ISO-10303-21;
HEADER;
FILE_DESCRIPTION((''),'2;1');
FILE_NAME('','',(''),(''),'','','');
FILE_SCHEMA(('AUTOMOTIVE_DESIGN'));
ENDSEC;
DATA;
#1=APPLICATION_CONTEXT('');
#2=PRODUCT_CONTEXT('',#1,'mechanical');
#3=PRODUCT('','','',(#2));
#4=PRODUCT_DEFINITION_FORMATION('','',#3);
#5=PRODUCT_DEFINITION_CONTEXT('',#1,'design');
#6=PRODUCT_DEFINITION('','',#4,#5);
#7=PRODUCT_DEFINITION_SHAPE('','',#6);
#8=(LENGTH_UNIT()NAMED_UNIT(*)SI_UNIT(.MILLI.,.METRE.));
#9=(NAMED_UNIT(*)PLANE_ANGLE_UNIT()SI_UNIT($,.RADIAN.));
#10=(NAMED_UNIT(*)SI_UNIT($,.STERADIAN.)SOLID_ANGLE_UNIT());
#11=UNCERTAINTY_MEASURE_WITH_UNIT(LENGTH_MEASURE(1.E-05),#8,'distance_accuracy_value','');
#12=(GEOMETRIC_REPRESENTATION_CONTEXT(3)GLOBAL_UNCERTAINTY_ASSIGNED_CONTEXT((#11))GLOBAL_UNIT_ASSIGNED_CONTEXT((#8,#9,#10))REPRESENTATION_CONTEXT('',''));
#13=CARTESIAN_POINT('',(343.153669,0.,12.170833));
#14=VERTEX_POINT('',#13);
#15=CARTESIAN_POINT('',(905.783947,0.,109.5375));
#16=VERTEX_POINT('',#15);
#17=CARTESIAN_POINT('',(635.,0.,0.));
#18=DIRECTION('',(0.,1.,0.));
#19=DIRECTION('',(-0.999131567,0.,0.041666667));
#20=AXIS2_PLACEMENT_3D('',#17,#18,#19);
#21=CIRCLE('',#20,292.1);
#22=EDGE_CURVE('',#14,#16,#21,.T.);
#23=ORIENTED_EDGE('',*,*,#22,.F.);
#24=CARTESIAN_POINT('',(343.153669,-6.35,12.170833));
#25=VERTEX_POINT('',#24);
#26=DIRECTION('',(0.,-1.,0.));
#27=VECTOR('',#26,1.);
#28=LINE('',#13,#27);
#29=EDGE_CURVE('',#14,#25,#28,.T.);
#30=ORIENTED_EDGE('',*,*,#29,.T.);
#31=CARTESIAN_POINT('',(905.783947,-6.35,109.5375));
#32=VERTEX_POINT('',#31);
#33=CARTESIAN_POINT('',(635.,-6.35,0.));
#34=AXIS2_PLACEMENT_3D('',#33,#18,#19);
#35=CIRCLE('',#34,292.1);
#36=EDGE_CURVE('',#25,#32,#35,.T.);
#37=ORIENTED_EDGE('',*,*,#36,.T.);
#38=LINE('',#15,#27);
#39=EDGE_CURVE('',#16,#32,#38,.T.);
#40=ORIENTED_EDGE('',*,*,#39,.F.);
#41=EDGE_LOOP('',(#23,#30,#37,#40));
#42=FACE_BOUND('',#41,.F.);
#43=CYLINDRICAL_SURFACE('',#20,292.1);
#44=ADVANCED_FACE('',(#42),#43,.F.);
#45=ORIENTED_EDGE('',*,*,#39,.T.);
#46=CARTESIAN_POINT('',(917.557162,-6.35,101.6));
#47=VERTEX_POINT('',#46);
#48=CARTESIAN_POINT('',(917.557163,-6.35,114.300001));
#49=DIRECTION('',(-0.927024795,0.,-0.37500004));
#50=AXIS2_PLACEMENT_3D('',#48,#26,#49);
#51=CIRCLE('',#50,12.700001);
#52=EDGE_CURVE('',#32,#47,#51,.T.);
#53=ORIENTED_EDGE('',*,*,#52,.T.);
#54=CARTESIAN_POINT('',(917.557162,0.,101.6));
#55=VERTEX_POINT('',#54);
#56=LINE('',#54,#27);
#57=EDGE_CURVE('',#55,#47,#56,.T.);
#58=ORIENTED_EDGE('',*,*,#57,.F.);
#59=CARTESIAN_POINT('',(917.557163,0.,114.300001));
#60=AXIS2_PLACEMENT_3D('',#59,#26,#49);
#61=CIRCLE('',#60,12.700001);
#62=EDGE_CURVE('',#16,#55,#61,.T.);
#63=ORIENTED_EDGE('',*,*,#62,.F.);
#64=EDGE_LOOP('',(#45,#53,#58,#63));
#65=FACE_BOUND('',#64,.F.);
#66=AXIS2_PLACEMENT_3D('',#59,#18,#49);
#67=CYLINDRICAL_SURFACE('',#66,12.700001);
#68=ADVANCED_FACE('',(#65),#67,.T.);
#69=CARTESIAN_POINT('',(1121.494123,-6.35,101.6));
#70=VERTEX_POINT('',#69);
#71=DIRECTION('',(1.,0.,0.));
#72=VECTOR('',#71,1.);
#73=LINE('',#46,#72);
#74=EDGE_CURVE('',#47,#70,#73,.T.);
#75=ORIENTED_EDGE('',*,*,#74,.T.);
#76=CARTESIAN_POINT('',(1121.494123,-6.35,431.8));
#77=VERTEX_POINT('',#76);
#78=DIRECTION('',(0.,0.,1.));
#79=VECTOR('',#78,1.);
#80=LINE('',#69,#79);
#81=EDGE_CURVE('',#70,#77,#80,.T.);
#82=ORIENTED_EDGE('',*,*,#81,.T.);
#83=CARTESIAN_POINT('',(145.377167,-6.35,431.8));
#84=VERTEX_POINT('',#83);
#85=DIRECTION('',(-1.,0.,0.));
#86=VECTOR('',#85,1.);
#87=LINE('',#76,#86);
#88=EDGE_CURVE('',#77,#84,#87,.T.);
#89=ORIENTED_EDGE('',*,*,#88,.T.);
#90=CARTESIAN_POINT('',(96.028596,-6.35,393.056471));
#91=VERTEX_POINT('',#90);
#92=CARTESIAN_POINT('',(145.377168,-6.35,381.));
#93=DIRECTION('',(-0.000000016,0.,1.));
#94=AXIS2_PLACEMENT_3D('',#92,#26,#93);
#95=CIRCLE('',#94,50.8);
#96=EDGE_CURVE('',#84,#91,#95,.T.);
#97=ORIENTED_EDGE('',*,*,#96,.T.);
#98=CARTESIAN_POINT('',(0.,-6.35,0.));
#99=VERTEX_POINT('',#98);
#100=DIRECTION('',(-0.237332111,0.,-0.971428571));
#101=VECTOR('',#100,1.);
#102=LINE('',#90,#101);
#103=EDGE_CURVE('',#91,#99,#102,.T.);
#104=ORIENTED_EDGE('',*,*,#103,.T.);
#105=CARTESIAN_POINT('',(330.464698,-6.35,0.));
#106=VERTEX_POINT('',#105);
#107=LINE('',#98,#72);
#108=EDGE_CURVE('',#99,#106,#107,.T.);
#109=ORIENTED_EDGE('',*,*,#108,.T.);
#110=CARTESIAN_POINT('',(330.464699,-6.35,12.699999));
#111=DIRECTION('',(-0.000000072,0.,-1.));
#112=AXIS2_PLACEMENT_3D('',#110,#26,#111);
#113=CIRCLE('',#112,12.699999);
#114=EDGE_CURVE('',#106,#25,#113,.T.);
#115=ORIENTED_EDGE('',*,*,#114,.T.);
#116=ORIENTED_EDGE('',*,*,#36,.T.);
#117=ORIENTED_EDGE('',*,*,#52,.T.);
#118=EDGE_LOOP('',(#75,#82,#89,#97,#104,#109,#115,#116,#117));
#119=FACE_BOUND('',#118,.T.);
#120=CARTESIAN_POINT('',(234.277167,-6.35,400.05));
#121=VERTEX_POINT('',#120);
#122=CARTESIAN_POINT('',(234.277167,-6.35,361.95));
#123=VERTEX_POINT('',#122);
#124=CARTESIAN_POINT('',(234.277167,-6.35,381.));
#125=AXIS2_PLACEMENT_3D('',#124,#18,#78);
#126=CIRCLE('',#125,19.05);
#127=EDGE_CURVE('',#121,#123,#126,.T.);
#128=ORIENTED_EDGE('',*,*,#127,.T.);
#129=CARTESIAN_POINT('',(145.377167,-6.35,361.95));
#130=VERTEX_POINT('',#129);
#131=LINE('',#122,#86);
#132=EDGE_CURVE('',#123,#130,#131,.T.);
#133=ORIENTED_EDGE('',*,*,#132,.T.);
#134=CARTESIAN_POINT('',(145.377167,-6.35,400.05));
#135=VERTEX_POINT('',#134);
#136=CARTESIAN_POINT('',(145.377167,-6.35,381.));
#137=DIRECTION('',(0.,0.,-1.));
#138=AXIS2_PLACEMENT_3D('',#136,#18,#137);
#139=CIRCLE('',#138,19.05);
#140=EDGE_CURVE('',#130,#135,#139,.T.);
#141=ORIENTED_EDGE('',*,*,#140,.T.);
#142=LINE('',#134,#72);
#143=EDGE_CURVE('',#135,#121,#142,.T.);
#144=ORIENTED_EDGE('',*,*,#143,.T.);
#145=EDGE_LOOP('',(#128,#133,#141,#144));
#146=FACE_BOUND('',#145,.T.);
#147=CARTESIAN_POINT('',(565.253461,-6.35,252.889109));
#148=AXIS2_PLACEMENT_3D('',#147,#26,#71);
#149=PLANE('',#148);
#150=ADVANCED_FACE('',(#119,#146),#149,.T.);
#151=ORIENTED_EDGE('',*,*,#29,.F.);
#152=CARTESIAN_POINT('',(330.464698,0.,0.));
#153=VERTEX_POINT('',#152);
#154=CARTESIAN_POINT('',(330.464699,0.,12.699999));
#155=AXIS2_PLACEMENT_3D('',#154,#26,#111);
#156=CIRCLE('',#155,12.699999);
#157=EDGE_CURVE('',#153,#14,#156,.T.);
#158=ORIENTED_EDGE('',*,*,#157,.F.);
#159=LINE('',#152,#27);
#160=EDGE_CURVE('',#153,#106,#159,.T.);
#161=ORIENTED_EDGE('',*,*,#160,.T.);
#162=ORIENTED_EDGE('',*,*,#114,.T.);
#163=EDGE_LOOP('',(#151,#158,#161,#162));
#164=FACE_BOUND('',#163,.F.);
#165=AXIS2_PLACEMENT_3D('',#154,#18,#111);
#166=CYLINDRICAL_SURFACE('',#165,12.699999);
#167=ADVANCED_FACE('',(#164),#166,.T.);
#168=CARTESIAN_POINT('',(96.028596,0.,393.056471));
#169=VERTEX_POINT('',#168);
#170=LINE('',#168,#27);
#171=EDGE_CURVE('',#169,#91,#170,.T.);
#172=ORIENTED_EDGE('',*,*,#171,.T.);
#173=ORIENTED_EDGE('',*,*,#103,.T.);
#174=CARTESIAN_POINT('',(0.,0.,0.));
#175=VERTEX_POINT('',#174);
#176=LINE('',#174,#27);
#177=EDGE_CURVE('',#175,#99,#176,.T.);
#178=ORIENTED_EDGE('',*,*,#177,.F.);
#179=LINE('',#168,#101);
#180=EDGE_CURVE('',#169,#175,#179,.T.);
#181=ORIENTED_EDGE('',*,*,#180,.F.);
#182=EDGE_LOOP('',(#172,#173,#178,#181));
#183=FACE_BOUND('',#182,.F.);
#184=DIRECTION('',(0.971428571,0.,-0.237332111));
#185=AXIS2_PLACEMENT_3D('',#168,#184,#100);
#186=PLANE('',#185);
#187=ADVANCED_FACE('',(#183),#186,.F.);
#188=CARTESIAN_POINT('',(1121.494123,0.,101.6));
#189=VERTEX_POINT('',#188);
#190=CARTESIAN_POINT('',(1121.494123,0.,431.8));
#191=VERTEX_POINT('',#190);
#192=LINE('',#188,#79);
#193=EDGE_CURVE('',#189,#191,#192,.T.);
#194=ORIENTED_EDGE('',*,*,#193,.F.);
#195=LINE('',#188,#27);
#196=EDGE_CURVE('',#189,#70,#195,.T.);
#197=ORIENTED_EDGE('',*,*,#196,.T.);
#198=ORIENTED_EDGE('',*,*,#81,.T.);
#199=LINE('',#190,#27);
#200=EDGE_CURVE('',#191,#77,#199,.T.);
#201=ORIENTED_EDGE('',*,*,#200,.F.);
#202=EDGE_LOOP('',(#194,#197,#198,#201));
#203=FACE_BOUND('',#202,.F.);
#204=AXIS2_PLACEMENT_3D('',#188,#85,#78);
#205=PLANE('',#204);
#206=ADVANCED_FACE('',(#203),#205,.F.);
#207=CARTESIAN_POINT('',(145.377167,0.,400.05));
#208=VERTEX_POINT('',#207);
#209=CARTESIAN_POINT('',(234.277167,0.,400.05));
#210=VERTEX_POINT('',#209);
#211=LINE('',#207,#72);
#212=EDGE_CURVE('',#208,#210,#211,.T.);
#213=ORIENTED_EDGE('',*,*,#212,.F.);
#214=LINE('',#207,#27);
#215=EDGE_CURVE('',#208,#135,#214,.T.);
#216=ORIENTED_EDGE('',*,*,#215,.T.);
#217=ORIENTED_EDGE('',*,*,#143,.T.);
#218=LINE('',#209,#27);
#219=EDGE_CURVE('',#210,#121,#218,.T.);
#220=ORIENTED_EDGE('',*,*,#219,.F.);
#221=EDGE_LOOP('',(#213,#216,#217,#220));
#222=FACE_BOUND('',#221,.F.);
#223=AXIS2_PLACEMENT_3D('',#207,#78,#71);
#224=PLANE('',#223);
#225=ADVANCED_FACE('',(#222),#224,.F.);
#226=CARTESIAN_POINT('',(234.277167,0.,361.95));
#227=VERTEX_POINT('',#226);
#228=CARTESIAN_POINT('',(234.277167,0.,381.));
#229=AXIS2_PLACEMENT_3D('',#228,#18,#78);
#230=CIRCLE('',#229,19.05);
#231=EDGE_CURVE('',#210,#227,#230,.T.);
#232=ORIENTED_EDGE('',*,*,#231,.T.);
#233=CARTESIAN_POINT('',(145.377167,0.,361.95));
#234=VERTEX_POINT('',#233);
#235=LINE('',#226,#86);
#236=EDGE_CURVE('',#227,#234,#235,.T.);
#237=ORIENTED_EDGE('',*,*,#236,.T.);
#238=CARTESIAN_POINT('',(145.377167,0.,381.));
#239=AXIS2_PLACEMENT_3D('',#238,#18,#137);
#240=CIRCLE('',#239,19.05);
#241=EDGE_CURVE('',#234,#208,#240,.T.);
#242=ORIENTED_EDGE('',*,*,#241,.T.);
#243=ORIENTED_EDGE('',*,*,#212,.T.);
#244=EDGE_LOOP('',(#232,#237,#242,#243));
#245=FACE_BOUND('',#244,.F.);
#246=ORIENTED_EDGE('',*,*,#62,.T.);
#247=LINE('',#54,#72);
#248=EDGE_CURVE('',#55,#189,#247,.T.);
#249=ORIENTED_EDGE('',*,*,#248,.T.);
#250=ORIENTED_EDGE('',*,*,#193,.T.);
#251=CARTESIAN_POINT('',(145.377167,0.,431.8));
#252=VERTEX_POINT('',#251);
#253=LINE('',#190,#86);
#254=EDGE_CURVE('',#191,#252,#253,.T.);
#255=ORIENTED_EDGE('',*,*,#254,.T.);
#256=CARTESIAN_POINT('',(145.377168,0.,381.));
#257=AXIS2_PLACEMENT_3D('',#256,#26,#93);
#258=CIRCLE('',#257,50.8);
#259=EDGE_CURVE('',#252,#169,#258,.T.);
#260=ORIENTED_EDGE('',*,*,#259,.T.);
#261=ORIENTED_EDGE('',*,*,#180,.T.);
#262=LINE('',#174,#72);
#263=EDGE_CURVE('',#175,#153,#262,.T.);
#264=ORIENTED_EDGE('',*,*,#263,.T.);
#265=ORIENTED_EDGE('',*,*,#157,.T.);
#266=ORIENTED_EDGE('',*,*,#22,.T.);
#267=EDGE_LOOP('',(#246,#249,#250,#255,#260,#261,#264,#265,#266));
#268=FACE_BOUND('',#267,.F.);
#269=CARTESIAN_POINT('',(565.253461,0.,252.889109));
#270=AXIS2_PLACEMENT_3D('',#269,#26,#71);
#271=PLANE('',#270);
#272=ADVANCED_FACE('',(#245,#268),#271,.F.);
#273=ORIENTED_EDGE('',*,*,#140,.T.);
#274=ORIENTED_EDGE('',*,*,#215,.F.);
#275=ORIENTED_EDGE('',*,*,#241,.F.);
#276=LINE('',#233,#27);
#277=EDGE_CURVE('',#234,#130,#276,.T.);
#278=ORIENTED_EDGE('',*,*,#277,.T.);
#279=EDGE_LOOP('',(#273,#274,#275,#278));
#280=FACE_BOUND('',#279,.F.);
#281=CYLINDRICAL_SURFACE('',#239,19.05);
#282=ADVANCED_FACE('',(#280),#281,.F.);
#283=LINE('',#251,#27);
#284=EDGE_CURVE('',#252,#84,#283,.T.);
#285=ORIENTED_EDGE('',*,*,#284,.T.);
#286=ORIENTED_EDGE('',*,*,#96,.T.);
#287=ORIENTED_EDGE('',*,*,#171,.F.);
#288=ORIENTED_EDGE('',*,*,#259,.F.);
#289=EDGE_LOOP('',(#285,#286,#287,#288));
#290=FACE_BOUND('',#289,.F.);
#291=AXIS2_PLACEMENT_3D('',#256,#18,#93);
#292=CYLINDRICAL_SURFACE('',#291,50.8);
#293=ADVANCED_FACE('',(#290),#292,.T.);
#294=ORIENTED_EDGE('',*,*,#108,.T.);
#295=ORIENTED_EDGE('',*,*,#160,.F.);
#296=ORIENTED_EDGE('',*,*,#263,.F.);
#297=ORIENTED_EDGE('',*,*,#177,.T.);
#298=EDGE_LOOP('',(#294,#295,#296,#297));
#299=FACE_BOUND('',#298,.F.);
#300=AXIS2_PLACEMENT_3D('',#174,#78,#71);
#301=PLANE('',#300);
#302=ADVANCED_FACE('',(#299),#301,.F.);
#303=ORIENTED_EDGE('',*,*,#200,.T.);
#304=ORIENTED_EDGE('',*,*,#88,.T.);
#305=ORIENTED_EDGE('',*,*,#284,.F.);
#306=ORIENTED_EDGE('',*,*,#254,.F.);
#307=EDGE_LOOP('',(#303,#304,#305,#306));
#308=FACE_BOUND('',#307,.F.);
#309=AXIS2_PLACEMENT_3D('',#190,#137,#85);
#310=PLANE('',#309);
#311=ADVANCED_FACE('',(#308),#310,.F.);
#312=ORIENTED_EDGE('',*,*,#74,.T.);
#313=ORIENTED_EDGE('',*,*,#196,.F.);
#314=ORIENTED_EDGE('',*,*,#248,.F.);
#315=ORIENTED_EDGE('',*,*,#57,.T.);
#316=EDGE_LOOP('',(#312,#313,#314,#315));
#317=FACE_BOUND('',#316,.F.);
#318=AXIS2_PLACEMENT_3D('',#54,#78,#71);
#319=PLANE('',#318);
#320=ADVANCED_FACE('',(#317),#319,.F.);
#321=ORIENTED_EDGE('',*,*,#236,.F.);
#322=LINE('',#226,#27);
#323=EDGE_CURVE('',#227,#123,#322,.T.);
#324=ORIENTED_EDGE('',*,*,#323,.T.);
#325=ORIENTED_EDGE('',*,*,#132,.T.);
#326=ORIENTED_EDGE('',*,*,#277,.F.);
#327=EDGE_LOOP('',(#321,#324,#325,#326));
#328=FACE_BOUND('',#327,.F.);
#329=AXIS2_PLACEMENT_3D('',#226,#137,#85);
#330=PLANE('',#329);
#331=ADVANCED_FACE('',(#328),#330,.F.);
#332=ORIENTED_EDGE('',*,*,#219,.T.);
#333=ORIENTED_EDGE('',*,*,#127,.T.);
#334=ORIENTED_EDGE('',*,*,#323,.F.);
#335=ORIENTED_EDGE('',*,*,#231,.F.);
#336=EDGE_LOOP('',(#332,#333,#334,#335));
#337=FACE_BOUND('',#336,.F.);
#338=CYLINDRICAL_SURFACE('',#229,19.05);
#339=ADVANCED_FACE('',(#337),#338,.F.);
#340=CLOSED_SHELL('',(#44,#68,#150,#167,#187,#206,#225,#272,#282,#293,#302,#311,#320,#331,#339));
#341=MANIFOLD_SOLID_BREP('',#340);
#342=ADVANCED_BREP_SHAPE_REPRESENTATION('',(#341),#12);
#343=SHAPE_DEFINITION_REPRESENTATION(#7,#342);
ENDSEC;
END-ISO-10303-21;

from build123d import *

# Parameters (mm, degrees)
F1_DEPTH = 6.35


with BuildPart() as f1:
    # F0 (on Front) → F1 (new body)
    with BuildSketch(Plane.XZ):
        with BuildLine():
            Line((96.028596, 393.056471), (0, 0))
            Line((0, 0), (330.464698, 0))
            ThreePointArc((330.464698, 0), (339.255875, 3.534564), (343.153669, 12.170833))
            ThreePointArc((343.153669, 12.170833), (585.190634, 287.821884), (905.783947, 109.5375))
            ThreePointArc((905.783947, 109.5375), (910.457647, 103.769716), (917.557162, 101.6))
            Line((917.557162, 101.6), (1121.494123, 101.6))
            Line((1121.494123, 101.6), (1121.494123, 431.8))
            Line((1121.494123, 431.8), (145.377167, 431.8))
            ThreePointArc((145.377167, 431.8), (114.007028, 420.956906), (96.028596, 393.056471))
        make_face()
        with BuildLine():
            ThreePointArc((145.377167, 361.95), (126.327167, 381), (145.377167, 400.05))
            Line((145.377167, 400.05), (234.277167, 400.05))
            ThreePointArc((234.277167, 400.05), (253.327167, 381), (234.277167, 361.95))
            Line((234.277167, 361.95), (145.377167, 361.95))
        make_face(mode=Mode.SUBTRACT)
    extrude(amount=F1_DEPTH)


solid = f1.part
